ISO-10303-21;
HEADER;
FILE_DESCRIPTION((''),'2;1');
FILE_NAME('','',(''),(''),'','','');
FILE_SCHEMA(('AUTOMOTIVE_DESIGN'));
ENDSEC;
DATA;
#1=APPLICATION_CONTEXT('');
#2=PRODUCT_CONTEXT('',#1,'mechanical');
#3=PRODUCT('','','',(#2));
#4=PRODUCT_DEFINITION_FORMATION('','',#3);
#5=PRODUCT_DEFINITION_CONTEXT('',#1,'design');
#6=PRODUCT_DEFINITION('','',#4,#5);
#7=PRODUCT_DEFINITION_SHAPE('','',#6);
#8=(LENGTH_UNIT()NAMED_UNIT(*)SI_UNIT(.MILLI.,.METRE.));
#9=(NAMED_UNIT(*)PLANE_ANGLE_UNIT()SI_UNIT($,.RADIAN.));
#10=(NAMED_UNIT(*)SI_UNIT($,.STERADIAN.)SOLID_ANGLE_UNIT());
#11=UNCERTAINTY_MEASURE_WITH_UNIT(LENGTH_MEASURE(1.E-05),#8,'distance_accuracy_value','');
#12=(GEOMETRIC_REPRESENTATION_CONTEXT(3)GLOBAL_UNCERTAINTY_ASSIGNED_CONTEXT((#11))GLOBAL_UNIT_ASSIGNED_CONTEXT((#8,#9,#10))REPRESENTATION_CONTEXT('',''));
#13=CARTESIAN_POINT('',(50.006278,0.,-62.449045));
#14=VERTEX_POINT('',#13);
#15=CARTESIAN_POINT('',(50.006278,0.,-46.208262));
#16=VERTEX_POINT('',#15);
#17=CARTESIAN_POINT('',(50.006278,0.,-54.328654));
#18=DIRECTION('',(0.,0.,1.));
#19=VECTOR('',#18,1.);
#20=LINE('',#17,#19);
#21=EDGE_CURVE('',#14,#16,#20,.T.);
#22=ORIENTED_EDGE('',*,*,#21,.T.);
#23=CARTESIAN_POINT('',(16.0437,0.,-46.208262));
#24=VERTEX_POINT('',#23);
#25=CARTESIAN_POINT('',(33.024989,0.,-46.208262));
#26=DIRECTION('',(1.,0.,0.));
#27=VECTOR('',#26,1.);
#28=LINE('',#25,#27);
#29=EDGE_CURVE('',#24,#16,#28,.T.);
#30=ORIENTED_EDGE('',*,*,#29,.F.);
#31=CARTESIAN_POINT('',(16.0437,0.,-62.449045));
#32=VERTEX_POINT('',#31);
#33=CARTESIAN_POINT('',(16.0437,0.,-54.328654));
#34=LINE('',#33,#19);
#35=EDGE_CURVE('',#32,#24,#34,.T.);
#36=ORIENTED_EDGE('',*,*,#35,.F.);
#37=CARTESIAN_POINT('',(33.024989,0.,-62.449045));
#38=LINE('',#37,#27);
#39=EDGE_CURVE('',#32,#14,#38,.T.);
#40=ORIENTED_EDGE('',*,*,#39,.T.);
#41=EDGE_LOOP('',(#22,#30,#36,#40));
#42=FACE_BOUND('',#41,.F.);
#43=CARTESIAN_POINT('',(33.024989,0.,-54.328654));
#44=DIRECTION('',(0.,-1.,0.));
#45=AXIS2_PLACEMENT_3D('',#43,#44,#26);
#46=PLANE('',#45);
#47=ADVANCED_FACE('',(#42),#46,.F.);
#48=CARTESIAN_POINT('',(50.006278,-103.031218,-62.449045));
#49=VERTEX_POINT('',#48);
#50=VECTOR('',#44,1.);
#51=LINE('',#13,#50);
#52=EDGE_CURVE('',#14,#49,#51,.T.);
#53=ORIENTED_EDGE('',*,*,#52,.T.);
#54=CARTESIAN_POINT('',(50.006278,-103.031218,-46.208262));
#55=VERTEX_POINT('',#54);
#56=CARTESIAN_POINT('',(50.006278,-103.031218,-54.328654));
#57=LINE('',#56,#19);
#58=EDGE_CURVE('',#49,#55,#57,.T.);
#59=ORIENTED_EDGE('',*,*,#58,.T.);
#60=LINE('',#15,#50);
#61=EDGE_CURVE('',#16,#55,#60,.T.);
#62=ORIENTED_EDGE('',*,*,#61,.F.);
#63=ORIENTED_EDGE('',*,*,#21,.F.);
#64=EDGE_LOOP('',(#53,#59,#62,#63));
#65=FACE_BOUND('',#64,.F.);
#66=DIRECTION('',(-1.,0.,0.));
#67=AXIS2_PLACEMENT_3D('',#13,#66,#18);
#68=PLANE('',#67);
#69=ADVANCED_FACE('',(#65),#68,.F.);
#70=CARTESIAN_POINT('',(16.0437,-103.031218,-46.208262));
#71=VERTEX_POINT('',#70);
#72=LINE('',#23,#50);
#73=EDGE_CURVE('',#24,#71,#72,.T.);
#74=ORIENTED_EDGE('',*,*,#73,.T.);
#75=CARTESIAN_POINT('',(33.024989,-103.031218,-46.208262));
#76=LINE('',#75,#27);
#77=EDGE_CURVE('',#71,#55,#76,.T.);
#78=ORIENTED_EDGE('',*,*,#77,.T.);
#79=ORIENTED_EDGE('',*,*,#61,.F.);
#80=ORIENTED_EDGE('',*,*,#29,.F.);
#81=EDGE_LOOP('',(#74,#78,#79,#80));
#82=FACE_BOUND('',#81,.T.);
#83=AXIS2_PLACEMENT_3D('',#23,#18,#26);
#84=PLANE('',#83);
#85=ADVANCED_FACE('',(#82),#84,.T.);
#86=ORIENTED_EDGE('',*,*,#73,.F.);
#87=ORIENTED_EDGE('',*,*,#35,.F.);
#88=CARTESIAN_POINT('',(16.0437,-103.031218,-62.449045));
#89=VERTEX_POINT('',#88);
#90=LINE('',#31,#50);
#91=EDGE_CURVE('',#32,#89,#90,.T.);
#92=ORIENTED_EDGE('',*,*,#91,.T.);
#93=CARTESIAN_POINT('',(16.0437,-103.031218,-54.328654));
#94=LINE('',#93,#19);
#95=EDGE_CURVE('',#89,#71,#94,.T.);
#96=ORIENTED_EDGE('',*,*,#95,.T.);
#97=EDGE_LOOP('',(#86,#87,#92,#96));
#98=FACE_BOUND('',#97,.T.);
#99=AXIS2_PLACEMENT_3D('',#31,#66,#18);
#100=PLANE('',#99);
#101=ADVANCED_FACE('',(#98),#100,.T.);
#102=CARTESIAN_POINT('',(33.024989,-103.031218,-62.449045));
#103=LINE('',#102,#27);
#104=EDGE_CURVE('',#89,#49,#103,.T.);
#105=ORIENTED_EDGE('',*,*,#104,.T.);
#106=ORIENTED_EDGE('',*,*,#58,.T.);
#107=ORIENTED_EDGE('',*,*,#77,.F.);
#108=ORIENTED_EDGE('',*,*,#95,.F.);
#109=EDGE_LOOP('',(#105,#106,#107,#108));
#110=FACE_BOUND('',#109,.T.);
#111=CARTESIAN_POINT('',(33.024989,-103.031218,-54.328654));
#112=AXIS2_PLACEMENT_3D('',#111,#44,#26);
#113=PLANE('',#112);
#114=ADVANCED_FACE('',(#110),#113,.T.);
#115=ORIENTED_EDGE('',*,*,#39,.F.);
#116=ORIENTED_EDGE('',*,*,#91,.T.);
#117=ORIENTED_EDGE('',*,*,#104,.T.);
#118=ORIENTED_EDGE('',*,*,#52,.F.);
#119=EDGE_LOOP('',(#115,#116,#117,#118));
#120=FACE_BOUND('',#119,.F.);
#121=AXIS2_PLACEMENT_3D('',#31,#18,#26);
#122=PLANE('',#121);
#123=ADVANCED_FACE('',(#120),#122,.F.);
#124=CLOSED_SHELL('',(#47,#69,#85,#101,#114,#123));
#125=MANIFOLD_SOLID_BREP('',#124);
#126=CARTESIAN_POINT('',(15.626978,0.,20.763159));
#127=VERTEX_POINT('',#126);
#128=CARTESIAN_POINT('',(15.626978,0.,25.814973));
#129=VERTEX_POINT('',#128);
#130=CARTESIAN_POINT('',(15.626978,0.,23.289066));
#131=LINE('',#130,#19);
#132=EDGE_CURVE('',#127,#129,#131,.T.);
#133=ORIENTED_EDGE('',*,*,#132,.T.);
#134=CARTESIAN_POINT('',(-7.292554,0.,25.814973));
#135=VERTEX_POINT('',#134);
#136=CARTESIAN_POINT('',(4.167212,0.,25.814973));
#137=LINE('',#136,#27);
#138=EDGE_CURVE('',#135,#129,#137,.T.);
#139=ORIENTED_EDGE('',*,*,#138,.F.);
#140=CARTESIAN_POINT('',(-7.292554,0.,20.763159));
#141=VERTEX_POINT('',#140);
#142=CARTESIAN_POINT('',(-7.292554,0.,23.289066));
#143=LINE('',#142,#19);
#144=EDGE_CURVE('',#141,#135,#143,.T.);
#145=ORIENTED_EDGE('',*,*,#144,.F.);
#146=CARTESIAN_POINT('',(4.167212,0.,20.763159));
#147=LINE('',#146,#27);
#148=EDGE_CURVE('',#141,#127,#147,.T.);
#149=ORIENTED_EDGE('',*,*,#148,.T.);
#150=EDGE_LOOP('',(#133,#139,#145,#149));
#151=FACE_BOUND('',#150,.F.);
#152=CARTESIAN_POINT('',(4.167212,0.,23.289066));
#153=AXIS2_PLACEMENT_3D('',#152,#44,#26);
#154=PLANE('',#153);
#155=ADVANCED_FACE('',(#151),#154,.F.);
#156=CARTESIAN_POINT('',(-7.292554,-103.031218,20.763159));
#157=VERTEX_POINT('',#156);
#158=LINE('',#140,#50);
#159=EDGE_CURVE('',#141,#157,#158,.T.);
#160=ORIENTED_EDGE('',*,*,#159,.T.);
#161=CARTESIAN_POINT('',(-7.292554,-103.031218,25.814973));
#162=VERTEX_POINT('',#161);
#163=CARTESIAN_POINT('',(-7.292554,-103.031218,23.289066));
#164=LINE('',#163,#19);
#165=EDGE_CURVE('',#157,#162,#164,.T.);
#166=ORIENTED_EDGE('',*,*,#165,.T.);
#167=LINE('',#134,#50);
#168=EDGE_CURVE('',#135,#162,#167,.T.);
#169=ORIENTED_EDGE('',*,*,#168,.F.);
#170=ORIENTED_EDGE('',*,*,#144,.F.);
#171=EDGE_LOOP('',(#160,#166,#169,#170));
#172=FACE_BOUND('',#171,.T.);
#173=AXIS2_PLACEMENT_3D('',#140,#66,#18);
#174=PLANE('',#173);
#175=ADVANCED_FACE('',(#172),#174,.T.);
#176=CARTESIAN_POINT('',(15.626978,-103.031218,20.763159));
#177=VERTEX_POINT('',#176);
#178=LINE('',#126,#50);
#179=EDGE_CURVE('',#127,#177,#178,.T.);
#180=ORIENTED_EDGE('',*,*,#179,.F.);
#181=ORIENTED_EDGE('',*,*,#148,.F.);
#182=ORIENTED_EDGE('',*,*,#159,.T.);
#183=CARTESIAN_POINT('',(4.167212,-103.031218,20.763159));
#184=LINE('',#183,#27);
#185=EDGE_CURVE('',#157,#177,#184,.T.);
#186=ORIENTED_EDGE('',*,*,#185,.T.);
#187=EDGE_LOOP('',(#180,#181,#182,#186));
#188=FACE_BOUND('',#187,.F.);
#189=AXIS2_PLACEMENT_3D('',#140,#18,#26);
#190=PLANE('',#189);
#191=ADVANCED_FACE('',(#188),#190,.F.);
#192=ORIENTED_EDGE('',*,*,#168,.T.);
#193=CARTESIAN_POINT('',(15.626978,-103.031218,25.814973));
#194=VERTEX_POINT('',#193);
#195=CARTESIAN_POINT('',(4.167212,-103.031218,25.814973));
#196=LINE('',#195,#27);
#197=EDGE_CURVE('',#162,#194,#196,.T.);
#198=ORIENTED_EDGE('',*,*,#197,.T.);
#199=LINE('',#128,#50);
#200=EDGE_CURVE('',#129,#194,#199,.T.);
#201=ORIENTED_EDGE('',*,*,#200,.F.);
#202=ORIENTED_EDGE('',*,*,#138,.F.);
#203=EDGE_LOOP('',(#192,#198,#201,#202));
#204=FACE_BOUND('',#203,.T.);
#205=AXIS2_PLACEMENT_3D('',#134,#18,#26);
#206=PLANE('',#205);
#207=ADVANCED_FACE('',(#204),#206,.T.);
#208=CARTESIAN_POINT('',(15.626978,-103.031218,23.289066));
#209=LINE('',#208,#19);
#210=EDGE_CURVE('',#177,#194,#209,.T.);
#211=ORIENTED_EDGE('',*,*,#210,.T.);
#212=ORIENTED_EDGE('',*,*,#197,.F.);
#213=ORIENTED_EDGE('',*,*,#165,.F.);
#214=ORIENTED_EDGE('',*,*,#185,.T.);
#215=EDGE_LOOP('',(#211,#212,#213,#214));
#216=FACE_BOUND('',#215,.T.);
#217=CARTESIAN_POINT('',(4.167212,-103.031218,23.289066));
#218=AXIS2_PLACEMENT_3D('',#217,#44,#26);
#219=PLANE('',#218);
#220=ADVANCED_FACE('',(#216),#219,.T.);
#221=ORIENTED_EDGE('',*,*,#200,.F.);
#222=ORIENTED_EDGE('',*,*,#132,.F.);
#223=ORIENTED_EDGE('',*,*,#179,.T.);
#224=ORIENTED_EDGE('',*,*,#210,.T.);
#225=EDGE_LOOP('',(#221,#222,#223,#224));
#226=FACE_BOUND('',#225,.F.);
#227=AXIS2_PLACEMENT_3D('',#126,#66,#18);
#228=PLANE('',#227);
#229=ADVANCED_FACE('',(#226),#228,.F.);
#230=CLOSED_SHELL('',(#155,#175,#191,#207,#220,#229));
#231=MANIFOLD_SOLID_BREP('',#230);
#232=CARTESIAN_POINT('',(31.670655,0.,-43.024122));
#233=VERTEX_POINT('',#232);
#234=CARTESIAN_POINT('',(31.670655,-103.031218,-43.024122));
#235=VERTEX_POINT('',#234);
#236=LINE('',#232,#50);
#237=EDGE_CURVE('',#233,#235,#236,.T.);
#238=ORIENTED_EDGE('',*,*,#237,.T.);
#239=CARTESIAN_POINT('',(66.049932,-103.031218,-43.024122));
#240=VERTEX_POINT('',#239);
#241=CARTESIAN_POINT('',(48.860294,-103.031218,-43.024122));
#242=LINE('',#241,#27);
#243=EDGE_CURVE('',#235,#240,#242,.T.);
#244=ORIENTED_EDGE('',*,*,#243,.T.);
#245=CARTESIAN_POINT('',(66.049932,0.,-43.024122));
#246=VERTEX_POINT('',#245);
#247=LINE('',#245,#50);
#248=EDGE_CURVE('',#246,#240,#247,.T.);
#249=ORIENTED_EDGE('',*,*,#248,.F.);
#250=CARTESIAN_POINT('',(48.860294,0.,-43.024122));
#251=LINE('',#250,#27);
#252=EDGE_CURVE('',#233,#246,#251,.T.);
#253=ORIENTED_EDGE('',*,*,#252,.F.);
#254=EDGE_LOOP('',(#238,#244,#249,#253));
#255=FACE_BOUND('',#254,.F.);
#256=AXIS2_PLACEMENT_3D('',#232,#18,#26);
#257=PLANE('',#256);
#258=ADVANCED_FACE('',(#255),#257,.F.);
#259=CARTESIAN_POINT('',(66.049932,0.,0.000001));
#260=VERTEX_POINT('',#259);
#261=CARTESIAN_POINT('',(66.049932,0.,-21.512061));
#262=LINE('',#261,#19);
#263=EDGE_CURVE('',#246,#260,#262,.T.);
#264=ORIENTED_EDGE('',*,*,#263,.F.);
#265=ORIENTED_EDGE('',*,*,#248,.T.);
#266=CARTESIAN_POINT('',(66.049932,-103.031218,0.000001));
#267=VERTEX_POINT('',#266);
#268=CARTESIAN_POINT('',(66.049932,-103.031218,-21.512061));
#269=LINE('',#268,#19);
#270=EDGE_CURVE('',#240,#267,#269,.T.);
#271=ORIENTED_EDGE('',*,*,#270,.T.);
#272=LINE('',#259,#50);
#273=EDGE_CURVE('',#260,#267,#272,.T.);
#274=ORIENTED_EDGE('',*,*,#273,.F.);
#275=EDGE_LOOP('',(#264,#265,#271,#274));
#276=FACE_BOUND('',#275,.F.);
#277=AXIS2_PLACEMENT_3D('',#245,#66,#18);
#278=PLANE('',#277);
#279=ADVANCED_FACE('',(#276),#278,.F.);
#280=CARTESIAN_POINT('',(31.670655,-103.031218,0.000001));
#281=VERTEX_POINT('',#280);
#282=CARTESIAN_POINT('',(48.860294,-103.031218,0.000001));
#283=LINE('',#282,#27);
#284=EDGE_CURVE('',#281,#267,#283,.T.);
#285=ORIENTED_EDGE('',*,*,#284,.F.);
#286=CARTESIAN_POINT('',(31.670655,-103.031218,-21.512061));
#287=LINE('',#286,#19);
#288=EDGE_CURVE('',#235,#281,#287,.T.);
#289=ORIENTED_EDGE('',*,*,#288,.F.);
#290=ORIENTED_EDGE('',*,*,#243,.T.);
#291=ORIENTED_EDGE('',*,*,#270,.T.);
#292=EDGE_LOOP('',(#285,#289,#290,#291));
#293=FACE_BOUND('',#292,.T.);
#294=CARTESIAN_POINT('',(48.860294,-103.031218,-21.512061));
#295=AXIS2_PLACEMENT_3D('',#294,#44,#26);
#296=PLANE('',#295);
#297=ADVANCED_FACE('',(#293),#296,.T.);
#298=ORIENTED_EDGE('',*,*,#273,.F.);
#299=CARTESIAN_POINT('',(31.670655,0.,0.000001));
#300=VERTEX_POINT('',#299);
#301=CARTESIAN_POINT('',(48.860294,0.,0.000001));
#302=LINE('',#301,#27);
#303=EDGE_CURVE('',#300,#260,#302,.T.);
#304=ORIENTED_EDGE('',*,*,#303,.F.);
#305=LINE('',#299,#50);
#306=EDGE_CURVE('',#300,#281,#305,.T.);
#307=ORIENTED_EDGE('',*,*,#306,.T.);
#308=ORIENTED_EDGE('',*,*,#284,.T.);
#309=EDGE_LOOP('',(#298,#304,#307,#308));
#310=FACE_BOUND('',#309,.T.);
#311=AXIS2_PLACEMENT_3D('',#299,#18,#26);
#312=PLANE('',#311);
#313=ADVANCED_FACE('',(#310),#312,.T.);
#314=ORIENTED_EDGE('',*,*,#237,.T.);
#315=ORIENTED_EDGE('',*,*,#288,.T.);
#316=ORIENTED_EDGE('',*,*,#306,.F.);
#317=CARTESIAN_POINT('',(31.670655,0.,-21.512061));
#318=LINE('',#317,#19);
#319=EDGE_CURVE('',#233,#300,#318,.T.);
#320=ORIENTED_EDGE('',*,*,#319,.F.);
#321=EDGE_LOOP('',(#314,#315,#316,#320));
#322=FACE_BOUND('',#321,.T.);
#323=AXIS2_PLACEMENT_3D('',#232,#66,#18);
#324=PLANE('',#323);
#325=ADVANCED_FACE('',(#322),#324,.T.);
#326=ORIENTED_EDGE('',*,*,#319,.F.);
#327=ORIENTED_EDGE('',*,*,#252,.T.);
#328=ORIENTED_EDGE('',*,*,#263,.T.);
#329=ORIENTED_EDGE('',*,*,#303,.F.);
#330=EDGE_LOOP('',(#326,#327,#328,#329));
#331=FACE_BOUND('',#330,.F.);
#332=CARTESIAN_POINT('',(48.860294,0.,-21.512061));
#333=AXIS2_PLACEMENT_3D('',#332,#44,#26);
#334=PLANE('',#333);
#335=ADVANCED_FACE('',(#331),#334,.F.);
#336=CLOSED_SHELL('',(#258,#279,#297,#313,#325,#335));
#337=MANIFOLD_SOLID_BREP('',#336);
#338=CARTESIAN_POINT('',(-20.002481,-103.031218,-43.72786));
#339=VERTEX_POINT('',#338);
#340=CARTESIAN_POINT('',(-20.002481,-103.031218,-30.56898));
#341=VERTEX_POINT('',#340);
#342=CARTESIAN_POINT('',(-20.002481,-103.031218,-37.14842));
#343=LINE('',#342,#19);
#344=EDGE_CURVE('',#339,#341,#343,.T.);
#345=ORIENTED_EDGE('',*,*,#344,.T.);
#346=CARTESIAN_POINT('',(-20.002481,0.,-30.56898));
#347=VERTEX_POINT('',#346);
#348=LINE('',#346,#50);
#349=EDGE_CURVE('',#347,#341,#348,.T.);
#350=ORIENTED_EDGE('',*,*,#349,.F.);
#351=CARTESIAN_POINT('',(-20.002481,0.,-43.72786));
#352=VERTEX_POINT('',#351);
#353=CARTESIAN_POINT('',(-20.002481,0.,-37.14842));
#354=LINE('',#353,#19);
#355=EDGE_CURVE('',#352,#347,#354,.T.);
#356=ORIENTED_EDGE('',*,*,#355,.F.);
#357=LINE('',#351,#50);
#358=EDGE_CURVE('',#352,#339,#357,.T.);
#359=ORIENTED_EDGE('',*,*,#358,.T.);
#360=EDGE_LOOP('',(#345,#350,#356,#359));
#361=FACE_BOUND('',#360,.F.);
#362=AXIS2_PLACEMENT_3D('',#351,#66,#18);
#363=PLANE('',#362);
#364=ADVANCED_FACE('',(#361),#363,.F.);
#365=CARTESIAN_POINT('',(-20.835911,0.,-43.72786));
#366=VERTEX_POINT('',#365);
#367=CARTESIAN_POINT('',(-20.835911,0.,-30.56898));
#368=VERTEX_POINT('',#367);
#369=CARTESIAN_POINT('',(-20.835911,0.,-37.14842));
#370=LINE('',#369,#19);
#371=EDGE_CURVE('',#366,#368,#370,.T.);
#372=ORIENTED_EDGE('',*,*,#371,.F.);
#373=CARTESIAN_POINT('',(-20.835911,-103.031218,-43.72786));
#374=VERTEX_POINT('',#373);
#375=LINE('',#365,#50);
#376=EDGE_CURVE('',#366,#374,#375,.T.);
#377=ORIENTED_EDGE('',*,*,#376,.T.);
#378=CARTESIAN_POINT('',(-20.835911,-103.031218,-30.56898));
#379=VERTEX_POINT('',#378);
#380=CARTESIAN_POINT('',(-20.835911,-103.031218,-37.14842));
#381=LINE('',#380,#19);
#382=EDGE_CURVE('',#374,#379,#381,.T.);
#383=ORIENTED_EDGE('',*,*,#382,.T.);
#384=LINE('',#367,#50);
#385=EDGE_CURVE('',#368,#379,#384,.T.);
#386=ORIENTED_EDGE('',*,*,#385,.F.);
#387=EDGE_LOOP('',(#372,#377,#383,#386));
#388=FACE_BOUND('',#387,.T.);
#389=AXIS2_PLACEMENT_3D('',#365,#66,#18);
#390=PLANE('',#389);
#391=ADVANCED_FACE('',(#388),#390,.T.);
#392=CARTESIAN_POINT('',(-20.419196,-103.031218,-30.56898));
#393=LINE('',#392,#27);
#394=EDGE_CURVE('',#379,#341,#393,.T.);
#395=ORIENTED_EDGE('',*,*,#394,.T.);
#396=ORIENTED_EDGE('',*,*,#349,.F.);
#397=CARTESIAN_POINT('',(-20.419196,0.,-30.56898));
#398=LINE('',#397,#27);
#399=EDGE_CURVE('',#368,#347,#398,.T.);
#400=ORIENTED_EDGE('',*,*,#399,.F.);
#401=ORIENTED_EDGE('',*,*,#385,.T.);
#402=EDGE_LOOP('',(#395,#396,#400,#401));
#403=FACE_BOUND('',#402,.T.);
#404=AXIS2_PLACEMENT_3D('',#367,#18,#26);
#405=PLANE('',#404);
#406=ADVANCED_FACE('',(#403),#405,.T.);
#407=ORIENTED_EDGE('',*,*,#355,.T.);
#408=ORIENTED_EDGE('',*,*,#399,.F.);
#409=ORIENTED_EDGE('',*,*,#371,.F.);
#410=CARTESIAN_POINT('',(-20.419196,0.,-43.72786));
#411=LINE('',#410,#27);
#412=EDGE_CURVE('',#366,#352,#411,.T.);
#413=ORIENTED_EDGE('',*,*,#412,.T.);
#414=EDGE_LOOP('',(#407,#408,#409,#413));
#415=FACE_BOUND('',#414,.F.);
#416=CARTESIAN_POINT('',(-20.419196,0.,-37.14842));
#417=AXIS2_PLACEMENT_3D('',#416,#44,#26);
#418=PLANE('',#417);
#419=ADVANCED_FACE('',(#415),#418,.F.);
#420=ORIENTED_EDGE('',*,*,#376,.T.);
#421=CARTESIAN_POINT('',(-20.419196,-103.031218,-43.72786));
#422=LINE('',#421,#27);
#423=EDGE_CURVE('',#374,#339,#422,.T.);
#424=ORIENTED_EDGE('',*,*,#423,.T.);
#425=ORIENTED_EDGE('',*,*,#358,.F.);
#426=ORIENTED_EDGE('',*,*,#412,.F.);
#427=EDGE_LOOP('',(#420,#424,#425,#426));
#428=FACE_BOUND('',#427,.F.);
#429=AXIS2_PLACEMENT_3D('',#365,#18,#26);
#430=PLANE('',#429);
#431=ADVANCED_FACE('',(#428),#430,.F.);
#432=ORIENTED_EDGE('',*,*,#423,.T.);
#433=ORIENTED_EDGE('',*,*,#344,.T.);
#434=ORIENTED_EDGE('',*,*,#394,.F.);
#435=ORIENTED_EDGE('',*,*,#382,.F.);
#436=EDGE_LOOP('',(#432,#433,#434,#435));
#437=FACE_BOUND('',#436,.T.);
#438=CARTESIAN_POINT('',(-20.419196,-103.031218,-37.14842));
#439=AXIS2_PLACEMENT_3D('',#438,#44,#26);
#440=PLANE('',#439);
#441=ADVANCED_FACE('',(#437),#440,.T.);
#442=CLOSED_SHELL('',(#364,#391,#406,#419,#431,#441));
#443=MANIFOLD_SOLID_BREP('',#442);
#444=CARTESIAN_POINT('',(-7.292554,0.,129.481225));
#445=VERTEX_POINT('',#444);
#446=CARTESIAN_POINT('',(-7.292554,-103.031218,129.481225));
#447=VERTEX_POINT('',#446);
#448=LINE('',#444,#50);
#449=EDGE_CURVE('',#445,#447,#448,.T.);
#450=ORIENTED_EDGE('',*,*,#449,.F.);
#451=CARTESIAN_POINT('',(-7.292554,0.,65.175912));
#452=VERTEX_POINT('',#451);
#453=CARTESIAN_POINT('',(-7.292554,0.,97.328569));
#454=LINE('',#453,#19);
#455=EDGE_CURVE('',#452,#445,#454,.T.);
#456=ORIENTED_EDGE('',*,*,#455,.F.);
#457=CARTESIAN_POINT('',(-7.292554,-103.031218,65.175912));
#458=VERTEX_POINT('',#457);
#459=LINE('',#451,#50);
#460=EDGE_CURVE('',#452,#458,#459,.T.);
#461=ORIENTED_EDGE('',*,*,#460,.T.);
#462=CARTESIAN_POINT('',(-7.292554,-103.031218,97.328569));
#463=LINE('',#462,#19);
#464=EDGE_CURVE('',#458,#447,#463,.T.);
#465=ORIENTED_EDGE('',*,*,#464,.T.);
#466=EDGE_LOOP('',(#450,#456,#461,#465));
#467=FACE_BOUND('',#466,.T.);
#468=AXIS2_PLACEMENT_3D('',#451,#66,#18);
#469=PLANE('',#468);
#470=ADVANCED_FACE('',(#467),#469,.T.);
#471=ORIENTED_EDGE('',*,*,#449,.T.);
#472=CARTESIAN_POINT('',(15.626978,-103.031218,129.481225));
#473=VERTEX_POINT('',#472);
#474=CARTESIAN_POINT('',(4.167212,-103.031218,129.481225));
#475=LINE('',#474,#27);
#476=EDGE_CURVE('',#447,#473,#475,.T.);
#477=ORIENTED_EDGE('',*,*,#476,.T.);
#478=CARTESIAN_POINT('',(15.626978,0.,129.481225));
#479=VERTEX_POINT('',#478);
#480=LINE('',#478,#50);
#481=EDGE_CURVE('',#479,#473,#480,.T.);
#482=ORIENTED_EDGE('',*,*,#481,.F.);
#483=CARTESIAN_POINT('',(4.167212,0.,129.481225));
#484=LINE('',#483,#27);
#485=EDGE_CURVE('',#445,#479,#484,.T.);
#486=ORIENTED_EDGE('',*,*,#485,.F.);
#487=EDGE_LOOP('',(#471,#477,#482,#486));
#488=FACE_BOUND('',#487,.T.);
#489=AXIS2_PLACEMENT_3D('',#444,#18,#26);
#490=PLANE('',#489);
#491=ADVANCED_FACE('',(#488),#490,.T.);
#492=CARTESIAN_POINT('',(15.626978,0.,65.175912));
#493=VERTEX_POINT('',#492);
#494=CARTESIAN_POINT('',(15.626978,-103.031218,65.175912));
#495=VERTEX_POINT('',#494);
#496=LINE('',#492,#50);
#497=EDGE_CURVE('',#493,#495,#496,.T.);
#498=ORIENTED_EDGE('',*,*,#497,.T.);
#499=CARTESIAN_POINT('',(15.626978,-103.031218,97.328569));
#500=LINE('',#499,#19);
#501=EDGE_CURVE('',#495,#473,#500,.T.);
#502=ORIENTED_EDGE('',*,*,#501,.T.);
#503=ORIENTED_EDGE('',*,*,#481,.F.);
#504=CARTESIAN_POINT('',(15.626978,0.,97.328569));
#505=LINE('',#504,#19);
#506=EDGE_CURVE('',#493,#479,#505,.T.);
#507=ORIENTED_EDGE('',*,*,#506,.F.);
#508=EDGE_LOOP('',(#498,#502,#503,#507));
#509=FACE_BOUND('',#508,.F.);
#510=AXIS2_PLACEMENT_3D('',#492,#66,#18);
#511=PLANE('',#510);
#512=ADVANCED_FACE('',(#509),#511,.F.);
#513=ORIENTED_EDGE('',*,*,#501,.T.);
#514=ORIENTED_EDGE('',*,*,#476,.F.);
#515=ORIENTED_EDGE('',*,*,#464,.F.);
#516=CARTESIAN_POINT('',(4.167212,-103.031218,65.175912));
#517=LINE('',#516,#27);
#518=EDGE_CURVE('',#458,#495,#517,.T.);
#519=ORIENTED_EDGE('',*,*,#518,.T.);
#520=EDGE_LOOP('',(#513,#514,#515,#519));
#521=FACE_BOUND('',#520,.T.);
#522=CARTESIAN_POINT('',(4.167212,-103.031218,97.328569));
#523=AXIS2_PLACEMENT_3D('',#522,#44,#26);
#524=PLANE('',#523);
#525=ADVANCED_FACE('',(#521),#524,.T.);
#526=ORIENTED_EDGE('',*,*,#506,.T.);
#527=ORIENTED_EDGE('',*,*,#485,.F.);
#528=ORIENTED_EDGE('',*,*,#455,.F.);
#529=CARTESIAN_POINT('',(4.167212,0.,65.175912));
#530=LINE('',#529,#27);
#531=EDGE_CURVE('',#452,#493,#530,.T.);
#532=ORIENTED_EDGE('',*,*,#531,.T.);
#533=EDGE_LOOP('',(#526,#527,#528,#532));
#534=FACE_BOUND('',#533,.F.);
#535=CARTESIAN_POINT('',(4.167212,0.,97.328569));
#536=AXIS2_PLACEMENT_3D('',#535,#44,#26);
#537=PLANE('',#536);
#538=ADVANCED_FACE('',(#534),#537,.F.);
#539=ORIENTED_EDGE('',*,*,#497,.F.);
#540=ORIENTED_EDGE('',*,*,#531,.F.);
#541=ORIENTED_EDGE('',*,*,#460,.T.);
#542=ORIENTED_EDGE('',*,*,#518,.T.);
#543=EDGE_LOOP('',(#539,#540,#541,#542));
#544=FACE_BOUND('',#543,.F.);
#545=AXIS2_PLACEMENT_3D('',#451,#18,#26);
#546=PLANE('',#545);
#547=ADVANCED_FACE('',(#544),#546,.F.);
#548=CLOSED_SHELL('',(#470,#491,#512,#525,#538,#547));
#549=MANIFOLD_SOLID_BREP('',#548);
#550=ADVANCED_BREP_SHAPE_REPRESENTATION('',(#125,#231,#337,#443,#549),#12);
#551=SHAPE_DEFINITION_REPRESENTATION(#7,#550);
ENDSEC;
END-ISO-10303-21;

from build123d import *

# Parameters (mm, degrees)
F0_W     = 22.919532
F0_H     = 5.051814
F0_W_2   = 34.379277
F0_H_2   = 43.024123
F0_W_3   = 0.833429
F0_H_3   = 13.15888
F0_W_4   = 33.962578
F0_H_4   = 16.240783
F0_H_5   = 64.305313
F1_DEPTH = 103.031218


with BuildPart() as f1:
    # F0 (on Front) → F1 (new body)
    with BuildSketch(Plane.XZ):
        with Locations((4.167212, 23.289066)):
            Rectangle(F0_W, F0_H)
        with Locations((48.860294, -21.512061)):
            Rectangle(F0_W_2, F0_H_2)
        with Locations((-20.419196, -37.14842)):
            Rectangle(F0_W_3, F0_H_3)
        with Locations((33.024989, -54.328654)):
            Rectangle(F0_W_4, F0_H_4)
        with Locations((4.167212, 97.328569)):
            Rectangle(F0_W, F0_H_5)
    extrude(amount=F1_DEPTH)


solid = f1.part
